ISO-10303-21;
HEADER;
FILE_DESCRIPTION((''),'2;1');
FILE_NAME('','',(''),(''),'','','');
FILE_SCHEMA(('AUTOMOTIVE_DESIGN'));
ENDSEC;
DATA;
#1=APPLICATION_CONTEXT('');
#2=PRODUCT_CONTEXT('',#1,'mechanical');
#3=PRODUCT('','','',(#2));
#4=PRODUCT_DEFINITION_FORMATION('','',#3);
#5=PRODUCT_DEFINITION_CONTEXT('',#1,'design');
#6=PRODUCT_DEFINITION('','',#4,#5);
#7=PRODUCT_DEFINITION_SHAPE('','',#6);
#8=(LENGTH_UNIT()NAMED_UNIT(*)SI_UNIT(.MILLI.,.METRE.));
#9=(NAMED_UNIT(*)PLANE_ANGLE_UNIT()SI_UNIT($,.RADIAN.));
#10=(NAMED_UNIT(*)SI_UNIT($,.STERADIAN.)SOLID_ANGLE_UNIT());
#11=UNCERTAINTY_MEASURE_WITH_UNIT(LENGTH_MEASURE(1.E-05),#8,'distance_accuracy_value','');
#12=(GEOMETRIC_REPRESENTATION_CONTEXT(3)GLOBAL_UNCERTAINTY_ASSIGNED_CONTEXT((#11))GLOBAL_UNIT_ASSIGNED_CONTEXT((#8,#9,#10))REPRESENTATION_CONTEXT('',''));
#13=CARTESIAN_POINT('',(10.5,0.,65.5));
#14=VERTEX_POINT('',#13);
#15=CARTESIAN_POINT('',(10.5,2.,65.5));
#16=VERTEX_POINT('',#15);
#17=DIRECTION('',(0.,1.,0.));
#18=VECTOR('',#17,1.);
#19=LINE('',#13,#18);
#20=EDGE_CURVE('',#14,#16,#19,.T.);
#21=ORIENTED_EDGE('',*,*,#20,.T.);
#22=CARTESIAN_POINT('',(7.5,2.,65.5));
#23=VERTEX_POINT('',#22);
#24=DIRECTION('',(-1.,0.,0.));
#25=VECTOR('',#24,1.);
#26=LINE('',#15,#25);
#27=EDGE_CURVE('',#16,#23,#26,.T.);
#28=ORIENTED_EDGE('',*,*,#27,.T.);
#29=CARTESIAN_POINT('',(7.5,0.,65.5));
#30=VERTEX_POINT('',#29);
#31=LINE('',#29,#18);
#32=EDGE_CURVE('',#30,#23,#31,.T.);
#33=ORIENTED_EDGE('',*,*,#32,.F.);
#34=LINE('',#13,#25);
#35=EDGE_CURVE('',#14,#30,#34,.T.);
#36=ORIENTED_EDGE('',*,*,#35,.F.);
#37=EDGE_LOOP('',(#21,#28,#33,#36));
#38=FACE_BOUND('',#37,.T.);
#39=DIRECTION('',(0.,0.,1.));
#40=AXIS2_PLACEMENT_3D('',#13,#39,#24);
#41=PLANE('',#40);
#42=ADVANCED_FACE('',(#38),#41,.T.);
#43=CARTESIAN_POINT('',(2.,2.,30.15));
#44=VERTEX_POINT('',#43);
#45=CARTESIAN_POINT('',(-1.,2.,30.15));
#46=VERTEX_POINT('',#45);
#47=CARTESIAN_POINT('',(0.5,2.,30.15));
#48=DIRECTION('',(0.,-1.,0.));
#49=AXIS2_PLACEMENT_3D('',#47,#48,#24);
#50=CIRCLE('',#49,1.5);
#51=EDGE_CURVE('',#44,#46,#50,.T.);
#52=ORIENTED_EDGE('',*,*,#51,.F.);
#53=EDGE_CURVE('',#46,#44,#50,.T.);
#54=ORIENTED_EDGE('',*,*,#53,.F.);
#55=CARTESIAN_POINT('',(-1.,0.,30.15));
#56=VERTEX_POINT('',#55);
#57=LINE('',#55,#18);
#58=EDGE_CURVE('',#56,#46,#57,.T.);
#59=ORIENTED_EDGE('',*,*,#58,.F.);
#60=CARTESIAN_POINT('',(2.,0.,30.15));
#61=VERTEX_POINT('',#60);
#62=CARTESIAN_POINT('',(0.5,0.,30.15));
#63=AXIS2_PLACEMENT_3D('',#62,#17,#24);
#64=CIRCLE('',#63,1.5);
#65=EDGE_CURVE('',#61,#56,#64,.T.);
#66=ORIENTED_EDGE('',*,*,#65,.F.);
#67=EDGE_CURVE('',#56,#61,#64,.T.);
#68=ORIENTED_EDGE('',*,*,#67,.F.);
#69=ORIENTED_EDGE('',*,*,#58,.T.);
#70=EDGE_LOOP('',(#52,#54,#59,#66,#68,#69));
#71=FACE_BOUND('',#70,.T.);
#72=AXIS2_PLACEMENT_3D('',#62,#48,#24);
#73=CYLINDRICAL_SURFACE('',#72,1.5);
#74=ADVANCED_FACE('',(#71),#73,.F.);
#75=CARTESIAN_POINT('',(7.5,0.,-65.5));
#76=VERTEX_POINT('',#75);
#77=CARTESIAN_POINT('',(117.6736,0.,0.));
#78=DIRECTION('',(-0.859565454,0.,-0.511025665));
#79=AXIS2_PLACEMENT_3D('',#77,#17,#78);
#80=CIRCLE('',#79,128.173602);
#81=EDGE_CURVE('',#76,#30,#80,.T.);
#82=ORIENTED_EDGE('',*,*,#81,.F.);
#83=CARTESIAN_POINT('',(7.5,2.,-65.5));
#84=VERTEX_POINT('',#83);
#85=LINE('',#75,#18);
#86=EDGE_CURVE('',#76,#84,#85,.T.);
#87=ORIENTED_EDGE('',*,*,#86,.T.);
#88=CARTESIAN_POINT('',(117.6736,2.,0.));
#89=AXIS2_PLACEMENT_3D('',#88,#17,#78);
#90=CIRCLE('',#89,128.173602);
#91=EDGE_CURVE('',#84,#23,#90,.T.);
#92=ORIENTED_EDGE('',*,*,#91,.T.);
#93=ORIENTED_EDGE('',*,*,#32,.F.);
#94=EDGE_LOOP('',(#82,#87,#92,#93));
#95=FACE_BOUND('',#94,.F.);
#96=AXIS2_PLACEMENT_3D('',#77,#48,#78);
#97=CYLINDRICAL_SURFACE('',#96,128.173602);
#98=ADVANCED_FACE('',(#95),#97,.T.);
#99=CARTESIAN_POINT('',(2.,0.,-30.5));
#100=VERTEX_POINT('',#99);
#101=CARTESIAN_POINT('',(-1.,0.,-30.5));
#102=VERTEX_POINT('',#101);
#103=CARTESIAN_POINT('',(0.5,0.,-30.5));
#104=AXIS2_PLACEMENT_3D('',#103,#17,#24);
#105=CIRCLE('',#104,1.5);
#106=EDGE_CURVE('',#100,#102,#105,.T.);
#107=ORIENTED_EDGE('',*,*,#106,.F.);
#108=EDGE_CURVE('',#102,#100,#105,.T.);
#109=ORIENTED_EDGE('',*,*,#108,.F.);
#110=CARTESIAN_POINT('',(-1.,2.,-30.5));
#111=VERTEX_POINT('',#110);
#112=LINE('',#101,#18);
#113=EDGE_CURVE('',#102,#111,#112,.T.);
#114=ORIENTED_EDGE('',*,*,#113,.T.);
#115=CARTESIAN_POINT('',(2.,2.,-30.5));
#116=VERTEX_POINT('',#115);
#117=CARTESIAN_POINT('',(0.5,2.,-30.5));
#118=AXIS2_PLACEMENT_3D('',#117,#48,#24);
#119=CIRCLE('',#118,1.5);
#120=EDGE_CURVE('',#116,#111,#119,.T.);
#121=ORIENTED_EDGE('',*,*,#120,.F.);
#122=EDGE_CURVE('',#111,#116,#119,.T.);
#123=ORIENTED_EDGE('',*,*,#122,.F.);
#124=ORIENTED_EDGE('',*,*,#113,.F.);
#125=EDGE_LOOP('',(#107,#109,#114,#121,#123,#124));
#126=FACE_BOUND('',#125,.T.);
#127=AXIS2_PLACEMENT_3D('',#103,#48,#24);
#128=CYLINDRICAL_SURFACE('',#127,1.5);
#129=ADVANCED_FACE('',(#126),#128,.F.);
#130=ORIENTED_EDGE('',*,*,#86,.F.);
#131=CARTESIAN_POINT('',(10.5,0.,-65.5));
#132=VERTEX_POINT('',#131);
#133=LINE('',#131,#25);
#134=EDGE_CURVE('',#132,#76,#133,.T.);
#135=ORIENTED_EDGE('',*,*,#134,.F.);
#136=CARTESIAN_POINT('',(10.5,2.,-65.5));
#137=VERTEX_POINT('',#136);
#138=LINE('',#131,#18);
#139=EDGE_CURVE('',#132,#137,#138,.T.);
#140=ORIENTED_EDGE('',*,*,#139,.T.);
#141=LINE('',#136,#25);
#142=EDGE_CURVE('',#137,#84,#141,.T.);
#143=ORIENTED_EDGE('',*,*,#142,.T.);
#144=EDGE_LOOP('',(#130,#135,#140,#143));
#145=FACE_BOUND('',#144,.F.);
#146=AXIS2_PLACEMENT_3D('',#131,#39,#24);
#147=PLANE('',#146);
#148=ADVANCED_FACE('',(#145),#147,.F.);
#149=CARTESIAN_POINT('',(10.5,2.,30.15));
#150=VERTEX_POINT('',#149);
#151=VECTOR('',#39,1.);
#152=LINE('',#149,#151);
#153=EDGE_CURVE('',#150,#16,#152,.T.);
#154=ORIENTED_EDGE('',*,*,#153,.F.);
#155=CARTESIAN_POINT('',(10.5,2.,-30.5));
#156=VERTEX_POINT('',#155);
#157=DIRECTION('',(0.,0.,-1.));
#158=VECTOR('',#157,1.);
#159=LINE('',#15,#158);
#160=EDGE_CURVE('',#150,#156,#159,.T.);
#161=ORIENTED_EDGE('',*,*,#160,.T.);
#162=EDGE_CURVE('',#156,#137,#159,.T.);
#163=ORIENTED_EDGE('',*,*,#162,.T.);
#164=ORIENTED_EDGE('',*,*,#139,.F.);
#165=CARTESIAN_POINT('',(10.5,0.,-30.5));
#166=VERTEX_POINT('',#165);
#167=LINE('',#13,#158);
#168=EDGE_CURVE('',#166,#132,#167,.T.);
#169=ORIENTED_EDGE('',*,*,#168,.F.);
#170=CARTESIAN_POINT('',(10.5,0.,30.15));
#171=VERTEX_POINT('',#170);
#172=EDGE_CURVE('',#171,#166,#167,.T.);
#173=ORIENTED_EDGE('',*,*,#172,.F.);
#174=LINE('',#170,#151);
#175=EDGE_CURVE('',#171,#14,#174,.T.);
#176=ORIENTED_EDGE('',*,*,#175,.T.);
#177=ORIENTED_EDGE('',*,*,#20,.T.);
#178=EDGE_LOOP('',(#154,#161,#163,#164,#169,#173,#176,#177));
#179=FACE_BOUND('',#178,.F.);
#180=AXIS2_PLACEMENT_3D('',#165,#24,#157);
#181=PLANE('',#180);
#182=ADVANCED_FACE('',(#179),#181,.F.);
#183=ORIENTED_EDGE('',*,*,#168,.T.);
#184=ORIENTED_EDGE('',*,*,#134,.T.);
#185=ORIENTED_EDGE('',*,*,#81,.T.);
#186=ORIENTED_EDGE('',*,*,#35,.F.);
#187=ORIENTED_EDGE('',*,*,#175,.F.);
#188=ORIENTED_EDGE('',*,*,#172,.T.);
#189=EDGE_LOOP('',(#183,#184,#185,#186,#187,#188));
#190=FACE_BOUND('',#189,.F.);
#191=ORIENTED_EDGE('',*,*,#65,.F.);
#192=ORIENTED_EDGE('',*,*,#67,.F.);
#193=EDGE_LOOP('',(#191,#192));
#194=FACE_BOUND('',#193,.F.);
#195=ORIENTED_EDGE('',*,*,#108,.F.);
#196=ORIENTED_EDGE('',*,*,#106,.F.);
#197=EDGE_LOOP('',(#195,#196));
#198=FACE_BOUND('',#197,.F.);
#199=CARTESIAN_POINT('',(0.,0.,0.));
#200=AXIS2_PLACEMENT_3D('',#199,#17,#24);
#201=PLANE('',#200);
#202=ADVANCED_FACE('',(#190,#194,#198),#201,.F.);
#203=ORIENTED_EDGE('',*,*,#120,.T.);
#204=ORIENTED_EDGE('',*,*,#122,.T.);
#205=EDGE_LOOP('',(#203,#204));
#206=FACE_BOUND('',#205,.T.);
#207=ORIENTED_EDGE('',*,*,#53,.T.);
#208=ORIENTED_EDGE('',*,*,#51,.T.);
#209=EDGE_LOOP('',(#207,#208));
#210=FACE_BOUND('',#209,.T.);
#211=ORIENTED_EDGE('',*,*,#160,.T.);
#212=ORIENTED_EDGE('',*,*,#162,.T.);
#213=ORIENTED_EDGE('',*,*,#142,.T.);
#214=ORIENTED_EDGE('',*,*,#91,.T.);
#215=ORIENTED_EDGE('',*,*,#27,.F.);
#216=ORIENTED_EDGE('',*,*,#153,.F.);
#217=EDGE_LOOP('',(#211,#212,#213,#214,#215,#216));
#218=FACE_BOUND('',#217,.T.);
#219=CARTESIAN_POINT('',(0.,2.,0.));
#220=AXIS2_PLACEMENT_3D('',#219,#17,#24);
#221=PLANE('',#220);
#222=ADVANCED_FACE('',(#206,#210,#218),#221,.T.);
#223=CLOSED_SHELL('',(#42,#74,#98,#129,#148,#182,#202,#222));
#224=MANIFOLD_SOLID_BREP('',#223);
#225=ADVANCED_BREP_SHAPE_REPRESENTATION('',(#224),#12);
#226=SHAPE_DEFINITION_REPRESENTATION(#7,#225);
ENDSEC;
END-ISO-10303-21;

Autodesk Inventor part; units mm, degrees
ref_plane "YZ Plane" through (0, 0, 0) normal (1, 0, 0) x (0, 1, 0)
ref_plane "XZ Plane" through (0, 0, 0) normal (0, 1, 0) x (-1, 0, 0)
ref_plane "XY Plane" through (0, 0, 0) normal (0, 0, 1) x (1, 0, 0)
sketch "Sketch1" plane through (0, 0, 0) normal (0, 1, 0) x (-1, 0, 0)
  line L0 (-10.5, 65.5) -> (-10.5, -65.5)
  line L1 (-10.5, 65.5) -> (-7.5, 65.5)
  line L2 (-10.5, -65.5) -> (-7.5, -65.5)
  arc A0 (-7.5, -65.5) -> (-7.5, 65.5) centre (-117.6736, 0) ccw
  line L3 (-7.5, 65.5) -> (-10.5, 65.5)
  line L4 (-10.5, 65.5) -> (-10.5, -65.5)
  line L5 (-10.5, -65.5) -> (-7.5, -65.5)
  line L6 (-10.5, -65.5) -> (-10.5, 65.5)
  line L7 (-10.5, -65.5) -> (-10.5, -30.5)
  line L8 (-10.5, 65.5) -> (-10.5, 30.15)
  line L9 (-10.5, 30.5) -> (-10.5, -30.5)
  line L10 (-10.5, 30.5) -> (-10.5, -30.5)
  circle A1 centre (-0.5, -30.5) radius 1.5
  line L11 (-0.5, -30.5) -> (-10.5, -30.5)
  line L12 (-10.5, -30.5) -> (-10.5, 30.15)
  line L13 (-10.5, 30.15) -> (-0.5, 30.15)
  circle A2 centre (-0.5, 30.15) radius 1.5
  point P0 (0, 0)
  dimension "d2" = 3
  dimension "d3" = 3
  dimension "d13" = 35
  dimension "d14" = 35.35
  dimension "d17" = 3
  dimension "d21" = 3
extrude "Extrusion1" add sketch "Sketch1" along normal blind 2 contours A2 | A1 | L1 A0 L2 L0
extrude "Extrusion3" cut sketch "Sketch1" along normal blind 2 contours A2 | A1
properties part number "naraznik_kryt"
